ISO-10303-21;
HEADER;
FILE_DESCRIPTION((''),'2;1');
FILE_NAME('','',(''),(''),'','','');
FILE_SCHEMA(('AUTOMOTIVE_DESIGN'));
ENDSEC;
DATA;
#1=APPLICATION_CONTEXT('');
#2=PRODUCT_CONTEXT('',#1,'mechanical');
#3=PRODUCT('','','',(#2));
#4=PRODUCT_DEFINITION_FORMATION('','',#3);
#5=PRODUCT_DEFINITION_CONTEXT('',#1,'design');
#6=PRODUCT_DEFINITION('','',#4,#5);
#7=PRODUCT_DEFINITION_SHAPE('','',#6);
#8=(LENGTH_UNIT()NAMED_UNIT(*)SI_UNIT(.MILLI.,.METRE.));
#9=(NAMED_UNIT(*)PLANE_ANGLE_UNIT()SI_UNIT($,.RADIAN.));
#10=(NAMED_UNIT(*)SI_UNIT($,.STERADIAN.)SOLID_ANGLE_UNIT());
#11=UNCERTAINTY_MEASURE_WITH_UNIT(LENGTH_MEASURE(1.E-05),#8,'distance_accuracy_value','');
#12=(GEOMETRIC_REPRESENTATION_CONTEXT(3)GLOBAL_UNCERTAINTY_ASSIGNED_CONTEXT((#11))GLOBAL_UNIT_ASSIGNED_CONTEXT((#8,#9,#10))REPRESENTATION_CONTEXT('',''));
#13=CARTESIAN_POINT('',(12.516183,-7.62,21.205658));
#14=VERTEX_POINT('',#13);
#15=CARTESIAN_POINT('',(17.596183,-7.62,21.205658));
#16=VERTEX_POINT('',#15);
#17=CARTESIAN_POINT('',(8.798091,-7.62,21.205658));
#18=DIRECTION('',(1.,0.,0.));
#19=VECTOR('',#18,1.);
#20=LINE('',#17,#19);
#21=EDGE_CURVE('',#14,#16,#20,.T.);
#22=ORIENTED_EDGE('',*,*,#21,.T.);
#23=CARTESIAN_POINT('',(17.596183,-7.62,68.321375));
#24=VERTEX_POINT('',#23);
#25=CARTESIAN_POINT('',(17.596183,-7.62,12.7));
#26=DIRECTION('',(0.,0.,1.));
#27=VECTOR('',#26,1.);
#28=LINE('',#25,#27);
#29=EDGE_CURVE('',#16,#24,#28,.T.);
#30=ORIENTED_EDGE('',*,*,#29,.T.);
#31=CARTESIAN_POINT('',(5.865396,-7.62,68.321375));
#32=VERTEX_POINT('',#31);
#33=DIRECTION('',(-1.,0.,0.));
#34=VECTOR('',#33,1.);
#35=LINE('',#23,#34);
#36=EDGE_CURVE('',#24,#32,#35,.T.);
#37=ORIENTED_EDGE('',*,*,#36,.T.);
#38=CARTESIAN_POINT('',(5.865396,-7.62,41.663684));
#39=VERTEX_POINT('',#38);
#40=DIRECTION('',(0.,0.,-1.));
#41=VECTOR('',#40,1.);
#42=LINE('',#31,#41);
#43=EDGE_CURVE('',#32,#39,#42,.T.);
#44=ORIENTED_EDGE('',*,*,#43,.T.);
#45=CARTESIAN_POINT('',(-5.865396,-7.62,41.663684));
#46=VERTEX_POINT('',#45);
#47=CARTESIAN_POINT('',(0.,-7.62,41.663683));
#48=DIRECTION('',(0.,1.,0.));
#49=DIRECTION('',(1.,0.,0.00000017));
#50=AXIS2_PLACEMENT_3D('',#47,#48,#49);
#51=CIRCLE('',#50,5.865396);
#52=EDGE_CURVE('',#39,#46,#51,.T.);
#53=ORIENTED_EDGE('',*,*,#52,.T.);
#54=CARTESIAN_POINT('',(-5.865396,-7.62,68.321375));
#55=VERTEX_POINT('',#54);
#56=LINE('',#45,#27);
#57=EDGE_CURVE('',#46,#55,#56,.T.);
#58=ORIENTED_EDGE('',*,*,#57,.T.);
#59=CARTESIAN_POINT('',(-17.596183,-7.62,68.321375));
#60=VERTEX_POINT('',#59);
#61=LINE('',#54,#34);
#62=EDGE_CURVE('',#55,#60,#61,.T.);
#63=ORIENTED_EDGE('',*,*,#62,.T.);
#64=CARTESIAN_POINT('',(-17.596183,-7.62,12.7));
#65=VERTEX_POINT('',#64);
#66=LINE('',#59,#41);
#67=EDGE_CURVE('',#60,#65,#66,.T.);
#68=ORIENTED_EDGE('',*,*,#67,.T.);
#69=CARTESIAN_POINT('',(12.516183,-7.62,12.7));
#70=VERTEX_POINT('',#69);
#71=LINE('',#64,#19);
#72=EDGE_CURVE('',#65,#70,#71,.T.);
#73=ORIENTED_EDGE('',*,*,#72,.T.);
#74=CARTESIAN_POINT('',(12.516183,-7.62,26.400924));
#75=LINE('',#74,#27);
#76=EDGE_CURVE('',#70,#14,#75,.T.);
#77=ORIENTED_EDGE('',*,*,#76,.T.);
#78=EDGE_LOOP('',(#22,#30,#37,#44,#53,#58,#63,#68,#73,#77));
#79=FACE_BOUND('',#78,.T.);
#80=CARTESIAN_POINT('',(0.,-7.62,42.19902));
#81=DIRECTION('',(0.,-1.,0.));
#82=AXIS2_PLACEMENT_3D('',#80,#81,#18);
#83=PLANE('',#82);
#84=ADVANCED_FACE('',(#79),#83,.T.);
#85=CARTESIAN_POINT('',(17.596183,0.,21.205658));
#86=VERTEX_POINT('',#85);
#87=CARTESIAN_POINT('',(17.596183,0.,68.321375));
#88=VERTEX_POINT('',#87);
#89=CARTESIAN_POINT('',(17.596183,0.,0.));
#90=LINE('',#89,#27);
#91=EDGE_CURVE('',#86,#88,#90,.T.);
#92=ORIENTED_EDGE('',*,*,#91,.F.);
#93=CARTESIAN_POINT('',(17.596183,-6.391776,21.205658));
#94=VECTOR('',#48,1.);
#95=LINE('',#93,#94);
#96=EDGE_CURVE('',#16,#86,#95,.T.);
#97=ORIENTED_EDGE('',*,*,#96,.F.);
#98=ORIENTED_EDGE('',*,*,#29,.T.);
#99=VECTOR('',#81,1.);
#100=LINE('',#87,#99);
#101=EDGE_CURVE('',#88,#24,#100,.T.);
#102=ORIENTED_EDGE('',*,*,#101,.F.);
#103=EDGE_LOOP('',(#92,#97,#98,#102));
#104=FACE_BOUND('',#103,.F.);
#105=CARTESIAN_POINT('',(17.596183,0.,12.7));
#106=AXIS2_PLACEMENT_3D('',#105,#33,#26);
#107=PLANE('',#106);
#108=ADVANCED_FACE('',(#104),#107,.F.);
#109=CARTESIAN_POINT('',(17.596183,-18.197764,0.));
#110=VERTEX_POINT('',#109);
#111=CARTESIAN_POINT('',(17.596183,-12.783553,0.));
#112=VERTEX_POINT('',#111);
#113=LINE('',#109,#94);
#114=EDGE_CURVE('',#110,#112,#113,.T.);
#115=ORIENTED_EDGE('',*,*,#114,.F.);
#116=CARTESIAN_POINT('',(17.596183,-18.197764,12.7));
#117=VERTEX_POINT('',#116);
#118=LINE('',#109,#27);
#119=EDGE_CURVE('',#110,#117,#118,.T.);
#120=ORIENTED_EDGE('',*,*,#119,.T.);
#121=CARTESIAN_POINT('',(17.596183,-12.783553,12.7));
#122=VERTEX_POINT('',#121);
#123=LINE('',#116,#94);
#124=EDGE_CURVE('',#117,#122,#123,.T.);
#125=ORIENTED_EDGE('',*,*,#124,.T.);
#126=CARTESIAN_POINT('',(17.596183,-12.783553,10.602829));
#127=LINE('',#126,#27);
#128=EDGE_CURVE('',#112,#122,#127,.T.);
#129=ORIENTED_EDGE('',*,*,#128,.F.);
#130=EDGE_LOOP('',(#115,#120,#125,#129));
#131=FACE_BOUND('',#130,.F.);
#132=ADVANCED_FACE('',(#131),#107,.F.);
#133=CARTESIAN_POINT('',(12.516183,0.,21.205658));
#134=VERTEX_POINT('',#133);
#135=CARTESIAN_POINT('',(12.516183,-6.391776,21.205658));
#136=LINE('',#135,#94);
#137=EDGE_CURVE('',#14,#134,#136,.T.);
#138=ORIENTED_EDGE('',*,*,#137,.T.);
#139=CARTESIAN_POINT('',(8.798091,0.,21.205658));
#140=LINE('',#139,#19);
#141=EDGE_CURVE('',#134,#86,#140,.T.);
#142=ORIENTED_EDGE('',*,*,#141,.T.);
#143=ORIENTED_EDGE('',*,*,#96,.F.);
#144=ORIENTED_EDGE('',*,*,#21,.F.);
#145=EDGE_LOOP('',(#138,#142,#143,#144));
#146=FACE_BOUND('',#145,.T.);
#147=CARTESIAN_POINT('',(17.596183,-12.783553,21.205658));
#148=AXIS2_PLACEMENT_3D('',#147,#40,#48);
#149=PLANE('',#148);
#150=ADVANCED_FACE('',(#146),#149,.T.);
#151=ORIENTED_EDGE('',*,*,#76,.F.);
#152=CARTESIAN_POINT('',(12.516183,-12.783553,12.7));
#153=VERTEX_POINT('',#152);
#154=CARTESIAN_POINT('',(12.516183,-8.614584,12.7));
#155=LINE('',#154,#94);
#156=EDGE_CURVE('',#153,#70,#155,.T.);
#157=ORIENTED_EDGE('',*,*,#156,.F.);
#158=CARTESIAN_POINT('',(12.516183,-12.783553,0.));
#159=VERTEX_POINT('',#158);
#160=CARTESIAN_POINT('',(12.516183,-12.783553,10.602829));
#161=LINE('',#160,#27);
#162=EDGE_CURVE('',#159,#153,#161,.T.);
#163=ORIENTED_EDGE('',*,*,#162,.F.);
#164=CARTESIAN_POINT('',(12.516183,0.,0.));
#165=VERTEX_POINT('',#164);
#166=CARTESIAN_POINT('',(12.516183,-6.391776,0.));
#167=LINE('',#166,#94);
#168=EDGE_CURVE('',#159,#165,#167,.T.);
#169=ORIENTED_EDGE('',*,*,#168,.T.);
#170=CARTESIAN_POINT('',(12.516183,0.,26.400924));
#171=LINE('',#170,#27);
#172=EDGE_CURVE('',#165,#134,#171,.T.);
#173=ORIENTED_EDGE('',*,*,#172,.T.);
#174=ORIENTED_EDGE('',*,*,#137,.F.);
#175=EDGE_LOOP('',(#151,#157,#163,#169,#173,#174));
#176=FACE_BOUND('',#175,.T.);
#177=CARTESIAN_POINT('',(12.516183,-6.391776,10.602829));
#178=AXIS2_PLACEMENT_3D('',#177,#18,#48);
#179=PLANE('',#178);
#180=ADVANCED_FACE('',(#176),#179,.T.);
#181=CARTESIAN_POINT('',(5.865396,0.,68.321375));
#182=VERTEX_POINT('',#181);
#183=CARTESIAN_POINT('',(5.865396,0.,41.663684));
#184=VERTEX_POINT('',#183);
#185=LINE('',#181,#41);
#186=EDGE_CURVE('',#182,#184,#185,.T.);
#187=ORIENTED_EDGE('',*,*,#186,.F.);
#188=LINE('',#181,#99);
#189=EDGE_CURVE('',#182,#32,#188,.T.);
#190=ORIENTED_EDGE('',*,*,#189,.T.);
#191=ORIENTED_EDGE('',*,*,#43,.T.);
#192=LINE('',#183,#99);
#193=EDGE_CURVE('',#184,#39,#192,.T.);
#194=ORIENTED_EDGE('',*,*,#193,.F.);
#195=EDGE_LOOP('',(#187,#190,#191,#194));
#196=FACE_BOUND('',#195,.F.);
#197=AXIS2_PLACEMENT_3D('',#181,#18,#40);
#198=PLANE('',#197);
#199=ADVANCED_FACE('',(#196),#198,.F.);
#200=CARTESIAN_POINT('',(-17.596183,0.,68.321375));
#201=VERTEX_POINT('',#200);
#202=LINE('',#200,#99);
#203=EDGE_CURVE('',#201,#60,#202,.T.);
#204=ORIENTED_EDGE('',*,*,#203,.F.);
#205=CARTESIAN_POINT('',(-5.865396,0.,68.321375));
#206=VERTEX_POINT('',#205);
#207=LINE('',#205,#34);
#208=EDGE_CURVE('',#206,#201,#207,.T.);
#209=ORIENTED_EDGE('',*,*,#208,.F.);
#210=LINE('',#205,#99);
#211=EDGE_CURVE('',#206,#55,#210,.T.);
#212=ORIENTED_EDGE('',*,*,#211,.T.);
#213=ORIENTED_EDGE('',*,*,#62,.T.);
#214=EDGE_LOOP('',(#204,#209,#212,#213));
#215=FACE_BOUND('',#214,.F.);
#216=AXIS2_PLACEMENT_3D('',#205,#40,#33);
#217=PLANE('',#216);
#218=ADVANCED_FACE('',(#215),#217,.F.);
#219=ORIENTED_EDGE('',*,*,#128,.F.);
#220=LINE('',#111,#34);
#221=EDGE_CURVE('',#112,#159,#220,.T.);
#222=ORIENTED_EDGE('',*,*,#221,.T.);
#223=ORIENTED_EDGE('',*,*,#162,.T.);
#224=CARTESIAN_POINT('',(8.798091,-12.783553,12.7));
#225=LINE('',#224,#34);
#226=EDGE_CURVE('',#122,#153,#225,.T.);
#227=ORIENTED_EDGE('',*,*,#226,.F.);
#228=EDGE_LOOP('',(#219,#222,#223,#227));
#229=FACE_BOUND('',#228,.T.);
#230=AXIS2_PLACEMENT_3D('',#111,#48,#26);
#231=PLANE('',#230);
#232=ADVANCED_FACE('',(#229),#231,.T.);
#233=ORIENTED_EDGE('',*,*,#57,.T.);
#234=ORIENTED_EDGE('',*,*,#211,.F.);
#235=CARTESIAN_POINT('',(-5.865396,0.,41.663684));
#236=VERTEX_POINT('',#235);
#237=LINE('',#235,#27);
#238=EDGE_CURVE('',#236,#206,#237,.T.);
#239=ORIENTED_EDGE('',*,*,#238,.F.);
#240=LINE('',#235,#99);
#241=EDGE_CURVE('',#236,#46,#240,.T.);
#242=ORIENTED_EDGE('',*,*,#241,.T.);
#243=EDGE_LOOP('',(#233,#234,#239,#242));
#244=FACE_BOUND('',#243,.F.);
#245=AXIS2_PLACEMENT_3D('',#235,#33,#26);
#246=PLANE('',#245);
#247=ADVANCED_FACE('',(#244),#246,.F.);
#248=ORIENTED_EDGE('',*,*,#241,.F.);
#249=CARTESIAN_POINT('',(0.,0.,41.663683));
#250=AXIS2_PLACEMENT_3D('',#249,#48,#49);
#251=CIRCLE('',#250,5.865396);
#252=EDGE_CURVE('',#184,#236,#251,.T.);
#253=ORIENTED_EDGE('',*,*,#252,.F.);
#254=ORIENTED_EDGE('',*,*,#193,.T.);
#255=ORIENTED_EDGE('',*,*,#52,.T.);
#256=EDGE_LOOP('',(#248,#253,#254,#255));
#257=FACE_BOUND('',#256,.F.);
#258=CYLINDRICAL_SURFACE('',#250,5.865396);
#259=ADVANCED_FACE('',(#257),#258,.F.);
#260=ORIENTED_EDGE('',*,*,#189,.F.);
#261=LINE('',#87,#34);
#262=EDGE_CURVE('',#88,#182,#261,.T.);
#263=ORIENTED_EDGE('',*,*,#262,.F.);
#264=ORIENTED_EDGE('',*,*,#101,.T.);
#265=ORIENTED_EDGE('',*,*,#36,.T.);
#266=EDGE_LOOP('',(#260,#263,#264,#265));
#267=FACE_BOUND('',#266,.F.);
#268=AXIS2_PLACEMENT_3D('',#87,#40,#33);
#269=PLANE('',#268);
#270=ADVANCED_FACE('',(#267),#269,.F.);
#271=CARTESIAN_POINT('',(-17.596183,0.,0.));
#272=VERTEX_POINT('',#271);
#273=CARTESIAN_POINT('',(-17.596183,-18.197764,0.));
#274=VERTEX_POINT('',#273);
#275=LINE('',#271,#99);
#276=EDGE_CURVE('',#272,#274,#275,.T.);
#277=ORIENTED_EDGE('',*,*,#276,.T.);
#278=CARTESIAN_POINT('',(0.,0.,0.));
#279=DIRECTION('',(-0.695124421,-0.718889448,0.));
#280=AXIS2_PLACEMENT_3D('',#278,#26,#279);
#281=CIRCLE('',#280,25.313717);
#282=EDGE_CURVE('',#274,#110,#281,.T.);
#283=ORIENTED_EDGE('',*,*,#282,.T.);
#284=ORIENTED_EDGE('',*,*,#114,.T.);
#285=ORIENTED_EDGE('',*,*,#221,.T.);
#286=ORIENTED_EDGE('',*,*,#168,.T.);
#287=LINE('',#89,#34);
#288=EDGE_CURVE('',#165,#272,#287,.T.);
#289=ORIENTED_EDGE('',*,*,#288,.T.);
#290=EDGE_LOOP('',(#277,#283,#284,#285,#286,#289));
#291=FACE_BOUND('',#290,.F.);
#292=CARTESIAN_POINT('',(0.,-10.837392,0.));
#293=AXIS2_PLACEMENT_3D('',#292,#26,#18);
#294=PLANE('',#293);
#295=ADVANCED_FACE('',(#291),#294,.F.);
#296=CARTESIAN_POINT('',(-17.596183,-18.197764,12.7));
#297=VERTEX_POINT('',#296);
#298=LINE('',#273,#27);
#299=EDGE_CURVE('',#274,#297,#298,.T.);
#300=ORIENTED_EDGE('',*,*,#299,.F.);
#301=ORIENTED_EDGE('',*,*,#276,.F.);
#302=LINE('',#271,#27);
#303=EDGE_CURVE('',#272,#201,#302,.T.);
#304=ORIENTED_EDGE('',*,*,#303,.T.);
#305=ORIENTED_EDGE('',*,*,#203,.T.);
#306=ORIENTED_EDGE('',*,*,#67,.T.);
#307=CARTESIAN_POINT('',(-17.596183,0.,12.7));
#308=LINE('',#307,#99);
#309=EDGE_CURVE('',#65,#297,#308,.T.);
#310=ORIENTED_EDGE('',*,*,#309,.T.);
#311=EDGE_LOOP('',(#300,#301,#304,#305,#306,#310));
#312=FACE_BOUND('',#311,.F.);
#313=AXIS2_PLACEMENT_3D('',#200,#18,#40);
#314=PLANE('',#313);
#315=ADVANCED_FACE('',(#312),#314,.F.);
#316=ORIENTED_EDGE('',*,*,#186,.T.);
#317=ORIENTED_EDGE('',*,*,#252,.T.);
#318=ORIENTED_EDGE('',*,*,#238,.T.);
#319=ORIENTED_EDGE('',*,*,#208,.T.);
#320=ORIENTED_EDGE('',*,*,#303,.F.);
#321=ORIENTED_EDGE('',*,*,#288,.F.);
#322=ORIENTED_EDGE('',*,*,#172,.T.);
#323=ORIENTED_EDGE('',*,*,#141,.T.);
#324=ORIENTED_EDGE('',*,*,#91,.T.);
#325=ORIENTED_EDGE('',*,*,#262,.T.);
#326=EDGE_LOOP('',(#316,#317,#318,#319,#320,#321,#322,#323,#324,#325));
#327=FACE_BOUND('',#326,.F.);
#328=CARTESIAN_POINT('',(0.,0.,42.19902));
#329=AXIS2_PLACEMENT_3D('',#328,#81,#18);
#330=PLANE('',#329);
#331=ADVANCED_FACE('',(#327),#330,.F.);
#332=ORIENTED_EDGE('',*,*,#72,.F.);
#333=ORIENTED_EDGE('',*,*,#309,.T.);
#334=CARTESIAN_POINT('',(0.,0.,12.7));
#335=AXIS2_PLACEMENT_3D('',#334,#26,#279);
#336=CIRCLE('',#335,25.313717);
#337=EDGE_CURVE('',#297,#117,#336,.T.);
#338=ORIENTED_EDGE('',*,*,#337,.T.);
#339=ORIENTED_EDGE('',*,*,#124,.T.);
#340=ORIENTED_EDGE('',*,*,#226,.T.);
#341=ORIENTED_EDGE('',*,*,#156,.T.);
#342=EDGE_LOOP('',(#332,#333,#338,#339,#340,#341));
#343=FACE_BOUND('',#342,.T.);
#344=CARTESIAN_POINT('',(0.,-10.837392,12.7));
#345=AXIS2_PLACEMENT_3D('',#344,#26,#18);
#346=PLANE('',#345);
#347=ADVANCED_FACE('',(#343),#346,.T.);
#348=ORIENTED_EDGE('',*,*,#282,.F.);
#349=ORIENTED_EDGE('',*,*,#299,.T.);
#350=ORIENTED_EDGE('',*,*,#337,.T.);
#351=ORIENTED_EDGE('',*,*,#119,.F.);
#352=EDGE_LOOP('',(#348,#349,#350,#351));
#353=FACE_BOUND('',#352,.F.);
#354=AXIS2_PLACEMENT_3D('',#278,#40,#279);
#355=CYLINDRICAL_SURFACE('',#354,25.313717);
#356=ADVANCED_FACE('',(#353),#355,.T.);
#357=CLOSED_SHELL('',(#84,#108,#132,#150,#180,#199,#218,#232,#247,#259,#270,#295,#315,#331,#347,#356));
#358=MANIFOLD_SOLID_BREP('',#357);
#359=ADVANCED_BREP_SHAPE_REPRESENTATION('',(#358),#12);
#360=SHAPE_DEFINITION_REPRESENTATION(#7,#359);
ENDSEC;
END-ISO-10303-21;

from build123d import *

# Parameters (mm, degrees)
F1_DEPTH = 12.7
F3_DEPTH = 7.62
F4_W     = 12.783553
F4_H     = 21.205658
F5_DEPTH = 5.08


with BuildPart() as f1:
    # F0 (on Top) → F1 (new body)
    with BuildSketch(Plane.XY):
        with BuildLine():
            Line((17.596183, -18.197764), (17.596183, 0))
            Line((17.596183, 0), (-17.596183, 0))
            Line((-17.596183, 0), (-17.596183, -18.197764))
            ThreePointArc((-17.596183, -18.197764), (0, -25.313717), (17.596183, -18.197764))
        make_face()
    extrude(amount=F1_DEPTH)

    # F2 (on Front) → F3 (join)
    with BuildSketch(Plane.XZ):
        with BuildLine():
            Line((-17.596183, 12.7), (17.596183, 12.7))
            Line((17.596183, 12.7), (17.596183, 68.321375))
            Line((17.596183, 68.321375), (5.865396, 68.321375))
            Line((5.865396, 68.321375), (5.865396, 41.663684))
            ThreePointArc((5.865396, 41.663684), (0, 35.798287), (-5.865396, 41.663684))
            Line((-5.865396, 41.663684), (-5.865396, 68.321375))
            Line((-5.865396, 68.321375), (-17.596183, 68.321375))
            Line((-17.596183, 68.321375), (-17.596183, 12.7))
        make_face()
    extrude(amount=F3_DEPTH)

    # F4 (on face) → F5 (cut)
    with BuildSketch(Plane.YZ.offset(17.596183)):
        with Locations((-6.391776, 10.602829)):
            Rectangle(F4_W, F4_H)
    extrude(amount=-F5_DEPTH, mode=Mode.SUBTRACT)


solid = f1.part
